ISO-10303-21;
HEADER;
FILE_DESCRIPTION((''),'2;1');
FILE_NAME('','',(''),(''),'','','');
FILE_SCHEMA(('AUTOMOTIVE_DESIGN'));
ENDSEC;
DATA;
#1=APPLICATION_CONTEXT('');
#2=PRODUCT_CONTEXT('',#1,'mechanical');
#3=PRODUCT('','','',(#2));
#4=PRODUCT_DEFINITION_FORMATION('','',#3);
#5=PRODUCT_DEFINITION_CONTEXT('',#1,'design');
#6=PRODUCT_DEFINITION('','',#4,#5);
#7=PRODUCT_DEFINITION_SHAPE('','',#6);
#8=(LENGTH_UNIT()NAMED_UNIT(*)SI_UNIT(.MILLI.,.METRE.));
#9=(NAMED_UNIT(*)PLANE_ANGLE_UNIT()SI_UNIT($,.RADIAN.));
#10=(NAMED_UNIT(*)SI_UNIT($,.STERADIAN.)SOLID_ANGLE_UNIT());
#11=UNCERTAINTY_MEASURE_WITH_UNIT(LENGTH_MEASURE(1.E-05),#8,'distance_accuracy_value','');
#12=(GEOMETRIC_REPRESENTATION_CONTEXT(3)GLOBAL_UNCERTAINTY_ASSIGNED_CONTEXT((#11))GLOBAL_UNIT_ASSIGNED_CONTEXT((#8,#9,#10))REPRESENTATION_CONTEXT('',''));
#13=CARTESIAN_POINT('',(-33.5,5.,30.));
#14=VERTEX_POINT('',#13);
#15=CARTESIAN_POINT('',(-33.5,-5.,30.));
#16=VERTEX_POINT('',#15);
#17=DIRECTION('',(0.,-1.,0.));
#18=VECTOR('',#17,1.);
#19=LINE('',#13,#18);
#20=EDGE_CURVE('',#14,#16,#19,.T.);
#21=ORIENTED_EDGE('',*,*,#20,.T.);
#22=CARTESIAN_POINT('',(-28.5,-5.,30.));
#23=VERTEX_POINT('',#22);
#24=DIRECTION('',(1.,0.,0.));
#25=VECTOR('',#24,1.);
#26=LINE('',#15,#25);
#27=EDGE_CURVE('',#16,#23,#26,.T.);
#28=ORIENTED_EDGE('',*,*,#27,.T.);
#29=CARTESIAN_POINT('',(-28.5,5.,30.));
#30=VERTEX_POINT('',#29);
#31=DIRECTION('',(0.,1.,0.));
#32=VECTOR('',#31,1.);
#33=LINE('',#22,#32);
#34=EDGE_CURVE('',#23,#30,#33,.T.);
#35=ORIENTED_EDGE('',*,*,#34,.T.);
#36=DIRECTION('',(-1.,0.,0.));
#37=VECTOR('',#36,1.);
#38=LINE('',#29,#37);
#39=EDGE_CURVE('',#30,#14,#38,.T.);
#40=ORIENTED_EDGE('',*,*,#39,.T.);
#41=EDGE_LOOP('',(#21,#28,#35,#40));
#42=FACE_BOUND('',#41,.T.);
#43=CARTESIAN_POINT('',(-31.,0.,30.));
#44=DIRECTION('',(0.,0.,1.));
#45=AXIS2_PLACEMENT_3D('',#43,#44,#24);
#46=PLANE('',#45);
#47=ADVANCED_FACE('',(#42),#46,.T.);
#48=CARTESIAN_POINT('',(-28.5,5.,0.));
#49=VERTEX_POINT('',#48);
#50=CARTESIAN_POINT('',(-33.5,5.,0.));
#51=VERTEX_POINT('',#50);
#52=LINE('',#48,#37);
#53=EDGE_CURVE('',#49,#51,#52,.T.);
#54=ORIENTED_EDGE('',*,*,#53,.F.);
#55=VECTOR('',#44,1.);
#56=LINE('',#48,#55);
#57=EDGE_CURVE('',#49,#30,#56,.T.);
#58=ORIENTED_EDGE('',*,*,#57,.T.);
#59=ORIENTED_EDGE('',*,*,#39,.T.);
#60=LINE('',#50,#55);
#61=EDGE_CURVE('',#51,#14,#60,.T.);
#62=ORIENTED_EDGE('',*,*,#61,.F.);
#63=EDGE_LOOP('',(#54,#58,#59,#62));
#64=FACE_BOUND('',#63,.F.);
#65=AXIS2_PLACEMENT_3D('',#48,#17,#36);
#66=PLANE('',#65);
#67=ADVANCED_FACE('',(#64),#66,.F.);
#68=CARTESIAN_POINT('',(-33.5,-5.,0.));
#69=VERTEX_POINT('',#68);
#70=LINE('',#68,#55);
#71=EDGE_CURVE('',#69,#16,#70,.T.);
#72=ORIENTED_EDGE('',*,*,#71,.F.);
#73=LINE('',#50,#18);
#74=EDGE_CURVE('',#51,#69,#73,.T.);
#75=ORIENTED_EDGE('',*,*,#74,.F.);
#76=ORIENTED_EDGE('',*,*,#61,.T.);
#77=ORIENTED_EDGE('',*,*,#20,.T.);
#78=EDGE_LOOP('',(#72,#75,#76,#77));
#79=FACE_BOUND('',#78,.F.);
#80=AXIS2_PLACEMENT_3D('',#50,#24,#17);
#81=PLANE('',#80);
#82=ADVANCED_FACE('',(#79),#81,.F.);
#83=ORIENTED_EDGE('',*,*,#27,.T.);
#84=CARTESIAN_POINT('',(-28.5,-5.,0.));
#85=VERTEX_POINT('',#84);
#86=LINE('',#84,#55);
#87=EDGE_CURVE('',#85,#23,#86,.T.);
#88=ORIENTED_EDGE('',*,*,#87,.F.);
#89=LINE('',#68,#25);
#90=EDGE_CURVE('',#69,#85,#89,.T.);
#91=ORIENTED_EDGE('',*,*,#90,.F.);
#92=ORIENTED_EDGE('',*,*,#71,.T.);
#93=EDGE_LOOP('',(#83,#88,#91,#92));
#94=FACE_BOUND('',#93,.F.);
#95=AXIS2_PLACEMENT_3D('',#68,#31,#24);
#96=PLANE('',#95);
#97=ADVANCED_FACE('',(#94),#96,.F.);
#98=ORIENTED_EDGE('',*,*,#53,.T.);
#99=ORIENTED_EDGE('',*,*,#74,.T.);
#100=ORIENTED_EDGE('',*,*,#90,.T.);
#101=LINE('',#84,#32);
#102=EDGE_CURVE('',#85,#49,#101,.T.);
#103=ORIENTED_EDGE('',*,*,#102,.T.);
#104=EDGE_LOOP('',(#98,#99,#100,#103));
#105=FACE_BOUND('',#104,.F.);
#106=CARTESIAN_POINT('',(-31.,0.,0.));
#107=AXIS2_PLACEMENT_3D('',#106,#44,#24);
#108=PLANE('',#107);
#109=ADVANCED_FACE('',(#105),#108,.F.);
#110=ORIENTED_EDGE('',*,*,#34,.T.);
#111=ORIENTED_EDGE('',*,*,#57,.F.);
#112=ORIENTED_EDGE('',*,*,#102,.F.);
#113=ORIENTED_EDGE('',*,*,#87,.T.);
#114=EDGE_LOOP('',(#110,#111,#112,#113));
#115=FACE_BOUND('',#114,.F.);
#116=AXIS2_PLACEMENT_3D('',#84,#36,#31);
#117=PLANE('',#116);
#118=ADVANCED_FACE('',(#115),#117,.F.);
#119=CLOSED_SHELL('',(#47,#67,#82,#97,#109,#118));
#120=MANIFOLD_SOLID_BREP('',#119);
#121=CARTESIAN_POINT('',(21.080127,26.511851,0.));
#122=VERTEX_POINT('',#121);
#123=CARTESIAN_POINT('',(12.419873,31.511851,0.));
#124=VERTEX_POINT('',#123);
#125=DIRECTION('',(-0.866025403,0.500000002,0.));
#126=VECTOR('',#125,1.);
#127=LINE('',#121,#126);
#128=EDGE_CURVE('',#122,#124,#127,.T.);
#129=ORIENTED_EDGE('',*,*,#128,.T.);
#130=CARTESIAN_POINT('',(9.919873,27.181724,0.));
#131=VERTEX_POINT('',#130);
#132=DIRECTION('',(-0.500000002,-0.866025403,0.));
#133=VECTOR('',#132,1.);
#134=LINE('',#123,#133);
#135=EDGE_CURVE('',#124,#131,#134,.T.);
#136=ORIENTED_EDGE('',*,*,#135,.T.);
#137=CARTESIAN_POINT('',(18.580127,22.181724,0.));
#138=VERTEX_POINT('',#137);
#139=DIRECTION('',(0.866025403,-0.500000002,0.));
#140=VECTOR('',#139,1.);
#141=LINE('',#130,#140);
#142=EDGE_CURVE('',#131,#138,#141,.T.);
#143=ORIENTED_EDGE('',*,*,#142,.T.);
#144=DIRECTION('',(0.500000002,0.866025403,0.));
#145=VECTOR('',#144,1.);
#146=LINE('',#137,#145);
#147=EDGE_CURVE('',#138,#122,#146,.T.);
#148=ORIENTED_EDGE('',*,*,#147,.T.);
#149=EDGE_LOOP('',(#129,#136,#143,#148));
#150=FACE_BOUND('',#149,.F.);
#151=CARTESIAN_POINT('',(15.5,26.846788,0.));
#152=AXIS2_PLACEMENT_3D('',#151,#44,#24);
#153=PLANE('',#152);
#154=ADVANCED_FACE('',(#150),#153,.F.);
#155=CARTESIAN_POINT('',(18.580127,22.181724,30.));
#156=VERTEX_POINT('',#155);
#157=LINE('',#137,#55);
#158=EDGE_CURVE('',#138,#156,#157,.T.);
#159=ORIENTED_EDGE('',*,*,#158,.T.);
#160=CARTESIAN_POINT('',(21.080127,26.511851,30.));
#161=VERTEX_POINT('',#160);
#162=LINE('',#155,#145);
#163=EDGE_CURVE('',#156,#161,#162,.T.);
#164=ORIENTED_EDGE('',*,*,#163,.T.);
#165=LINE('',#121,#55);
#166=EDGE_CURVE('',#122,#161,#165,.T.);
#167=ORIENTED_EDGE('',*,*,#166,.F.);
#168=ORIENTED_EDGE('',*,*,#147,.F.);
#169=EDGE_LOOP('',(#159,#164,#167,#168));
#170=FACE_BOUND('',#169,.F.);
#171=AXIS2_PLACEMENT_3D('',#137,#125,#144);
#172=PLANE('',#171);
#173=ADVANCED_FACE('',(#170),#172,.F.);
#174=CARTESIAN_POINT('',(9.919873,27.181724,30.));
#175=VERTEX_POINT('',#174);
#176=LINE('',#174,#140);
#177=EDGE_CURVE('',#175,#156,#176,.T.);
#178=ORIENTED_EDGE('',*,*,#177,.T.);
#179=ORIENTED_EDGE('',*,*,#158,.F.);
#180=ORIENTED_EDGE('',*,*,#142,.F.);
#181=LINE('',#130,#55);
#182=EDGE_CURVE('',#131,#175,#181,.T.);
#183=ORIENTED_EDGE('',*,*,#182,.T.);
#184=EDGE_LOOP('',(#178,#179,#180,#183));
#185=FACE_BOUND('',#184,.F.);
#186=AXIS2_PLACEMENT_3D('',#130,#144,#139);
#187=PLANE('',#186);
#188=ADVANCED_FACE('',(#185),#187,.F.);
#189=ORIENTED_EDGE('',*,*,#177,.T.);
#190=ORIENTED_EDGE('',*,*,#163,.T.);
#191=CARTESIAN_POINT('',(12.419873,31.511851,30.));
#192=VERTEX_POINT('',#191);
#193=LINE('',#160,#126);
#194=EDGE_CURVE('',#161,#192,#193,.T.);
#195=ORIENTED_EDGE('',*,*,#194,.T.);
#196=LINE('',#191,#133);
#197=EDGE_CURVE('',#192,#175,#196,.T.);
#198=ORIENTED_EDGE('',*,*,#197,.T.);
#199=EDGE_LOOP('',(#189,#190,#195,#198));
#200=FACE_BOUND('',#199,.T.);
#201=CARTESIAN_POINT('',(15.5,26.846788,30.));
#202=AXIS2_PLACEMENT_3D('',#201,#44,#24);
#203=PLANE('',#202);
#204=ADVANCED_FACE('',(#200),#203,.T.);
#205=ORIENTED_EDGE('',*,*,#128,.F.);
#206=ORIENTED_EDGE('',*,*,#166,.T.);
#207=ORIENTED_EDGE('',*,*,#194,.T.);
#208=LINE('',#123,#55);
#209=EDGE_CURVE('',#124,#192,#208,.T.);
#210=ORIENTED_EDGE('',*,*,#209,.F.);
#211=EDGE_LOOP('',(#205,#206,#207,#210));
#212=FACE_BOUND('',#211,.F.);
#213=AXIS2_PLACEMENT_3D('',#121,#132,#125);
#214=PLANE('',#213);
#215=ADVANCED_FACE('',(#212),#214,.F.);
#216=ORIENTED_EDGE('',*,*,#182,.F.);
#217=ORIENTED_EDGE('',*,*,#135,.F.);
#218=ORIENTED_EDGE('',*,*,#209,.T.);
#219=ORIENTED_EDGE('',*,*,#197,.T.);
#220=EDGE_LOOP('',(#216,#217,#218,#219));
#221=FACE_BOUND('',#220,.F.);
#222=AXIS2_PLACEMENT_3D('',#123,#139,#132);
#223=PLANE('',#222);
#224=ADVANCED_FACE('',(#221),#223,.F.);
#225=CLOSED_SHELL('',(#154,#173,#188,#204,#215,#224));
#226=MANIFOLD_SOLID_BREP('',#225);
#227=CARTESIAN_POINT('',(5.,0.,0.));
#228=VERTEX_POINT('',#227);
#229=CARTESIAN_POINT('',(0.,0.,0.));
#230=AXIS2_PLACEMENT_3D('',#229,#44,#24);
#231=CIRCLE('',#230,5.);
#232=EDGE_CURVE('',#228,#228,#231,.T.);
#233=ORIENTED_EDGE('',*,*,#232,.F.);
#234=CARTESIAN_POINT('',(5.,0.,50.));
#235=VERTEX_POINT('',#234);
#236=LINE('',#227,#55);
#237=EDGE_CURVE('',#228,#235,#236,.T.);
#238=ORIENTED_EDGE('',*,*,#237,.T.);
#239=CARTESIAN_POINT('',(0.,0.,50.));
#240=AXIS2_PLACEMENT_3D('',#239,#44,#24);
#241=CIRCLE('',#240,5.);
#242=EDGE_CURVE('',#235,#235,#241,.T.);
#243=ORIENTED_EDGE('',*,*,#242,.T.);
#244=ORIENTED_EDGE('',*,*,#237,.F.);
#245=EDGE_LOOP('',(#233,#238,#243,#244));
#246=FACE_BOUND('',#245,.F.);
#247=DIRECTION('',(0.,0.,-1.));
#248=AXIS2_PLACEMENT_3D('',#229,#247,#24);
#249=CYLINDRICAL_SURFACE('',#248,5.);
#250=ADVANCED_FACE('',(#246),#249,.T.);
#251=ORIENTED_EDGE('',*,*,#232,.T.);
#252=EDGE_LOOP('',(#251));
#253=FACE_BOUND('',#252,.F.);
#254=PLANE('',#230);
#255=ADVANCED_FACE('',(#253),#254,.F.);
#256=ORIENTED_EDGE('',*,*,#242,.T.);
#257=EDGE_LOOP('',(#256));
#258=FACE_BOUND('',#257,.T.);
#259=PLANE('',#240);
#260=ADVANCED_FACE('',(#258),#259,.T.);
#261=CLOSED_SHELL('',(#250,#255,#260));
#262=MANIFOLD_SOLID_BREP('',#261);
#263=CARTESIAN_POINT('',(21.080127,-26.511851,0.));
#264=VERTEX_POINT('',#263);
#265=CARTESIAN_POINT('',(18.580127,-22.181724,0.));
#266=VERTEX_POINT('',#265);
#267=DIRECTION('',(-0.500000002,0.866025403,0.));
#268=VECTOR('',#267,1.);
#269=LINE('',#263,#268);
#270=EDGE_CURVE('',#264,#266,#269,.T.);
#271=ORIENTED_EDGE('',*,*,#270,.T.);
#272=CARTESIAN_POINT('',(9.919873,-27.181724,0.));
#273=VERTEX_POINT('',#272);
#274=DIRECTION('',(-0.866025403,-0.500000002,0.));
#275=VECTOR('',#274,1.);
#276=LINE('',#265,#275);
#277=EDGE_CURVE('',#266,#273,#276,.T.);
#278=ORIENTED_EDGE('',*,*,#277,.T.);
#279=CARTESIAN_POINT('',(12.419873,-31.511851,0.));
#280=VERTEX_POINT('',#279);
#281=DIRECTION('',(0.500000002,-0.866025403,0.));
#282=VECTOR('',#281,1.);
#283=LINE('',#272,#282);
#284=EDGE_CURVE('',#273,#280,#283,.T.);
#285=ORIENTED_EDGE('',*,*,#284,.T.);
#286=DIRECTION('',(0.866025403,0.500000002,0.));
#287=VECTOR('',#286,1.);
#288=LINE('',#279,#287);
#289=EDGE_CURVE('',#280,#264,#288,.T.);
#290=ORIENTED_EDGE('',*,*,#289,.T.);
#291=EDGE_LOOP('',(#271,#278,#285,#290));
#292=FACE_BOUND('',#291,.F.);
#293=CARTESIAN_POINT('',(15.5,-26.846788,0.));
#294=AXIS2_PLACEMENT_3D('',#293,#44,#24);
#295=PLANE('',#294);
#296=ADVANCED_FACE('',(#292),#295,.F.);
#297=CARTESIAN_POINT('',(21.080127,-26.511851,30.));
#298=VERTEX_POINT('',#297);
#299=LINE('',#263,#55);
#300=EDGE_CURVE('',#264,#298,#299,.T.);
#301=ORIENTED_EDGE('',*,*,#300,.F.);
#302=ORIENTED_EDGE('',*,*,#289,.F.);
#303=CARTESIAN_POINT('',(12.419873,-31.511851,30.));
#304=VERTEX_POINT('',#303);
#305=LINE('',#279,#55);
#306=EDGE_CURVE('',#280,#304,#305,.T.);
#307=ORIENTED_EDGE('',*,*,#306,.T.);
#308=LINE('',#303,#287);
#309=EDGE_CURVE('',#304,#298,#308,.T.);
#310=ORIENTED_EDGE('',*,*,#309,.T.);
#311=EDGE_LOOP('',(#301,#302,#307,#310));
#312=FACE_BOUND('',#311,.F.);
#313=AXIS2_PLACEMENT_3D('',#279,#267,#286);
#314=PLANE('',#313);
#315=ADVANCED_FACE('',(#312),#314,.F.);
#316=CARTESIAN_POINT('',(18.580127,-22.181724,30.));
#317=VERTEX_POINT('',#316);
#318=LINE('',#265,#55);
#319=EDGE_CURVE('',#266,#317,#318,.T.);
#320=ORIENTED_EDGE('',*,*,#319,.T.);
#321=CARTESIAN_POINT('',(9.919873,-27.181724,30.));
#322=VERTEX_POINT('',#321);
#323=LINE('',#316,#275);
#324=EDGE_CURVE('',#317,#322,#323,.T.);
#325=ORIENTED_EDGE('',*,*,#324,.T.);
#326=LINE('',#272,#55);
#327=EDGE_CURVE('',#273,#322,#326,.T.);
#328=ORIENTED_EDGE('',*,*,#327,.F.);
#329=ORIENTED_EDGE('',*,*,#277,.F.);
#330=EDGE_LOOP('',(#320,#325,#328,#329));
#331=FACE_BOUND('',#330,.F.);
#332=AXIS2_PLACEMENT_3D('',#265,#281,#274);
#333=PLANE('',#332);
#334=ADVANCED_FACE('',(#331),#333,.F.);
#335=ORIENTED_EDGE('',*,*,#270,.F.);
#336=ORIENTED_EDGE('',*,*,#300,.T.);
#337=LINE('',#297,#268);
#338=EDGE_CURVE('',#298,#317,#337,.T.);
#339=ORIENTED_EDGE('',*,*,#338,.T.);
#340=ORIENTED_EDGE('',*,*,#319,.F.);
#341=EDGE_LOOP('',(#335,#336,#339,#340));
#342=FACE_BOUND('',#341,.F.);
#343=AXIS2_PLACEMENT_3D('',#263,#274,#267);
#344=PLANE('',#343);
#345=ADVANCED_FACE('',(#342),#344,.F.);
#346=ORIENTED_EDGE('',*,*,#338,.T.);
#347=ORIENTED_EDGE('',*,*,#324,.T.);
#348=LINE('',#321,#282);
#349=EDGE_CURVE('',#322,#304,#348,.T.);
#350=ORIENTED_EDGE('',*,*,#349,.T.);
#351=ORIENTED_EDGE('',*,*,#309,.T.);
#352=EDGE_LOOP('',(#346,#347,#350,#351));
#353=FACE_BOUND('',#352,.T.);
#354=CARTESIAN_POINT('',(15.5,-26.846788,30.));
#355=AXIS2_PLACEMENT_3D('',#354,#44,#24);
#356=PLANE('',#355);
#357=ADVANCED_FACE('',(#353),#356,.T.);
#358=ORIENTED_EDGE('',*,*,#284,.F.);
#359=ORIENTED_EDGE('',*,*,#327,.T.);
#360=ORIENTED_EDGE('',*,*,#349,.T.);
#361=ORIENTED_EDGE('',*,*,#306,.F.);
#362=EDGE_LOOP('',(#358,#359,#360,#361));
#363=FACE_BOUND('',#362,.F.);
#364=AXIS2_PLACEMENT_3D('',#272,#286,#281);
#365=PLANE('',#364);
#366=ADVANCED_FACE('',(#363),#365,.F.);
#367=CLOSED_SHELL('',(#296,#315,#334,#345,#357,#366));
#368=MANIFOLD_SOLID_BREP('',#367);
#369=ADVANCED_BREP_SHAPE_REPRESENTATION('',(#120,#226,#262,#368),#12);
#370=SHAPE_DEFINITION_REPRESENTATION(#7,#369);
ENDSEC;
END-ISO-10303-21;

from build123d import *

# Parameters (mm, degrees)
F1_DEPTH = 30
F0_R     = 5
F2_DEPTH = 50


with BuildPart() as f1:
    # F0 (on Top) → F1 (new body)
    with BuildSketch(Plane.XY):
        Polygon((18.580127, -22.181724), (14.25, -24.681724), (9.919873, -27.181724), (12.419873, -31.511851), (21.080127, -26.511851), align=None)
        Polygon((9.919873, 27.181724), (14.25, 24.681724), (18.580127, 22.181724), (21.080127, 26.511851), (12.419873, 31.511851), align=None)
        Polygon((-28.5, -5), (-28.5, 0), (-28.5, 5), (-33.5, 5), (-33.5, -5), align=None)
    extrude(amount=F1_DEPTH)


with BuildPart() as f2:
    # F0 (on Top) → F2 (new body)
    with BuildSketch(Plane.XY):
        Circle(F0_R)
    extrude(amount=F2_DEPTH)


solid = Compound([f1.part, f2.part])
